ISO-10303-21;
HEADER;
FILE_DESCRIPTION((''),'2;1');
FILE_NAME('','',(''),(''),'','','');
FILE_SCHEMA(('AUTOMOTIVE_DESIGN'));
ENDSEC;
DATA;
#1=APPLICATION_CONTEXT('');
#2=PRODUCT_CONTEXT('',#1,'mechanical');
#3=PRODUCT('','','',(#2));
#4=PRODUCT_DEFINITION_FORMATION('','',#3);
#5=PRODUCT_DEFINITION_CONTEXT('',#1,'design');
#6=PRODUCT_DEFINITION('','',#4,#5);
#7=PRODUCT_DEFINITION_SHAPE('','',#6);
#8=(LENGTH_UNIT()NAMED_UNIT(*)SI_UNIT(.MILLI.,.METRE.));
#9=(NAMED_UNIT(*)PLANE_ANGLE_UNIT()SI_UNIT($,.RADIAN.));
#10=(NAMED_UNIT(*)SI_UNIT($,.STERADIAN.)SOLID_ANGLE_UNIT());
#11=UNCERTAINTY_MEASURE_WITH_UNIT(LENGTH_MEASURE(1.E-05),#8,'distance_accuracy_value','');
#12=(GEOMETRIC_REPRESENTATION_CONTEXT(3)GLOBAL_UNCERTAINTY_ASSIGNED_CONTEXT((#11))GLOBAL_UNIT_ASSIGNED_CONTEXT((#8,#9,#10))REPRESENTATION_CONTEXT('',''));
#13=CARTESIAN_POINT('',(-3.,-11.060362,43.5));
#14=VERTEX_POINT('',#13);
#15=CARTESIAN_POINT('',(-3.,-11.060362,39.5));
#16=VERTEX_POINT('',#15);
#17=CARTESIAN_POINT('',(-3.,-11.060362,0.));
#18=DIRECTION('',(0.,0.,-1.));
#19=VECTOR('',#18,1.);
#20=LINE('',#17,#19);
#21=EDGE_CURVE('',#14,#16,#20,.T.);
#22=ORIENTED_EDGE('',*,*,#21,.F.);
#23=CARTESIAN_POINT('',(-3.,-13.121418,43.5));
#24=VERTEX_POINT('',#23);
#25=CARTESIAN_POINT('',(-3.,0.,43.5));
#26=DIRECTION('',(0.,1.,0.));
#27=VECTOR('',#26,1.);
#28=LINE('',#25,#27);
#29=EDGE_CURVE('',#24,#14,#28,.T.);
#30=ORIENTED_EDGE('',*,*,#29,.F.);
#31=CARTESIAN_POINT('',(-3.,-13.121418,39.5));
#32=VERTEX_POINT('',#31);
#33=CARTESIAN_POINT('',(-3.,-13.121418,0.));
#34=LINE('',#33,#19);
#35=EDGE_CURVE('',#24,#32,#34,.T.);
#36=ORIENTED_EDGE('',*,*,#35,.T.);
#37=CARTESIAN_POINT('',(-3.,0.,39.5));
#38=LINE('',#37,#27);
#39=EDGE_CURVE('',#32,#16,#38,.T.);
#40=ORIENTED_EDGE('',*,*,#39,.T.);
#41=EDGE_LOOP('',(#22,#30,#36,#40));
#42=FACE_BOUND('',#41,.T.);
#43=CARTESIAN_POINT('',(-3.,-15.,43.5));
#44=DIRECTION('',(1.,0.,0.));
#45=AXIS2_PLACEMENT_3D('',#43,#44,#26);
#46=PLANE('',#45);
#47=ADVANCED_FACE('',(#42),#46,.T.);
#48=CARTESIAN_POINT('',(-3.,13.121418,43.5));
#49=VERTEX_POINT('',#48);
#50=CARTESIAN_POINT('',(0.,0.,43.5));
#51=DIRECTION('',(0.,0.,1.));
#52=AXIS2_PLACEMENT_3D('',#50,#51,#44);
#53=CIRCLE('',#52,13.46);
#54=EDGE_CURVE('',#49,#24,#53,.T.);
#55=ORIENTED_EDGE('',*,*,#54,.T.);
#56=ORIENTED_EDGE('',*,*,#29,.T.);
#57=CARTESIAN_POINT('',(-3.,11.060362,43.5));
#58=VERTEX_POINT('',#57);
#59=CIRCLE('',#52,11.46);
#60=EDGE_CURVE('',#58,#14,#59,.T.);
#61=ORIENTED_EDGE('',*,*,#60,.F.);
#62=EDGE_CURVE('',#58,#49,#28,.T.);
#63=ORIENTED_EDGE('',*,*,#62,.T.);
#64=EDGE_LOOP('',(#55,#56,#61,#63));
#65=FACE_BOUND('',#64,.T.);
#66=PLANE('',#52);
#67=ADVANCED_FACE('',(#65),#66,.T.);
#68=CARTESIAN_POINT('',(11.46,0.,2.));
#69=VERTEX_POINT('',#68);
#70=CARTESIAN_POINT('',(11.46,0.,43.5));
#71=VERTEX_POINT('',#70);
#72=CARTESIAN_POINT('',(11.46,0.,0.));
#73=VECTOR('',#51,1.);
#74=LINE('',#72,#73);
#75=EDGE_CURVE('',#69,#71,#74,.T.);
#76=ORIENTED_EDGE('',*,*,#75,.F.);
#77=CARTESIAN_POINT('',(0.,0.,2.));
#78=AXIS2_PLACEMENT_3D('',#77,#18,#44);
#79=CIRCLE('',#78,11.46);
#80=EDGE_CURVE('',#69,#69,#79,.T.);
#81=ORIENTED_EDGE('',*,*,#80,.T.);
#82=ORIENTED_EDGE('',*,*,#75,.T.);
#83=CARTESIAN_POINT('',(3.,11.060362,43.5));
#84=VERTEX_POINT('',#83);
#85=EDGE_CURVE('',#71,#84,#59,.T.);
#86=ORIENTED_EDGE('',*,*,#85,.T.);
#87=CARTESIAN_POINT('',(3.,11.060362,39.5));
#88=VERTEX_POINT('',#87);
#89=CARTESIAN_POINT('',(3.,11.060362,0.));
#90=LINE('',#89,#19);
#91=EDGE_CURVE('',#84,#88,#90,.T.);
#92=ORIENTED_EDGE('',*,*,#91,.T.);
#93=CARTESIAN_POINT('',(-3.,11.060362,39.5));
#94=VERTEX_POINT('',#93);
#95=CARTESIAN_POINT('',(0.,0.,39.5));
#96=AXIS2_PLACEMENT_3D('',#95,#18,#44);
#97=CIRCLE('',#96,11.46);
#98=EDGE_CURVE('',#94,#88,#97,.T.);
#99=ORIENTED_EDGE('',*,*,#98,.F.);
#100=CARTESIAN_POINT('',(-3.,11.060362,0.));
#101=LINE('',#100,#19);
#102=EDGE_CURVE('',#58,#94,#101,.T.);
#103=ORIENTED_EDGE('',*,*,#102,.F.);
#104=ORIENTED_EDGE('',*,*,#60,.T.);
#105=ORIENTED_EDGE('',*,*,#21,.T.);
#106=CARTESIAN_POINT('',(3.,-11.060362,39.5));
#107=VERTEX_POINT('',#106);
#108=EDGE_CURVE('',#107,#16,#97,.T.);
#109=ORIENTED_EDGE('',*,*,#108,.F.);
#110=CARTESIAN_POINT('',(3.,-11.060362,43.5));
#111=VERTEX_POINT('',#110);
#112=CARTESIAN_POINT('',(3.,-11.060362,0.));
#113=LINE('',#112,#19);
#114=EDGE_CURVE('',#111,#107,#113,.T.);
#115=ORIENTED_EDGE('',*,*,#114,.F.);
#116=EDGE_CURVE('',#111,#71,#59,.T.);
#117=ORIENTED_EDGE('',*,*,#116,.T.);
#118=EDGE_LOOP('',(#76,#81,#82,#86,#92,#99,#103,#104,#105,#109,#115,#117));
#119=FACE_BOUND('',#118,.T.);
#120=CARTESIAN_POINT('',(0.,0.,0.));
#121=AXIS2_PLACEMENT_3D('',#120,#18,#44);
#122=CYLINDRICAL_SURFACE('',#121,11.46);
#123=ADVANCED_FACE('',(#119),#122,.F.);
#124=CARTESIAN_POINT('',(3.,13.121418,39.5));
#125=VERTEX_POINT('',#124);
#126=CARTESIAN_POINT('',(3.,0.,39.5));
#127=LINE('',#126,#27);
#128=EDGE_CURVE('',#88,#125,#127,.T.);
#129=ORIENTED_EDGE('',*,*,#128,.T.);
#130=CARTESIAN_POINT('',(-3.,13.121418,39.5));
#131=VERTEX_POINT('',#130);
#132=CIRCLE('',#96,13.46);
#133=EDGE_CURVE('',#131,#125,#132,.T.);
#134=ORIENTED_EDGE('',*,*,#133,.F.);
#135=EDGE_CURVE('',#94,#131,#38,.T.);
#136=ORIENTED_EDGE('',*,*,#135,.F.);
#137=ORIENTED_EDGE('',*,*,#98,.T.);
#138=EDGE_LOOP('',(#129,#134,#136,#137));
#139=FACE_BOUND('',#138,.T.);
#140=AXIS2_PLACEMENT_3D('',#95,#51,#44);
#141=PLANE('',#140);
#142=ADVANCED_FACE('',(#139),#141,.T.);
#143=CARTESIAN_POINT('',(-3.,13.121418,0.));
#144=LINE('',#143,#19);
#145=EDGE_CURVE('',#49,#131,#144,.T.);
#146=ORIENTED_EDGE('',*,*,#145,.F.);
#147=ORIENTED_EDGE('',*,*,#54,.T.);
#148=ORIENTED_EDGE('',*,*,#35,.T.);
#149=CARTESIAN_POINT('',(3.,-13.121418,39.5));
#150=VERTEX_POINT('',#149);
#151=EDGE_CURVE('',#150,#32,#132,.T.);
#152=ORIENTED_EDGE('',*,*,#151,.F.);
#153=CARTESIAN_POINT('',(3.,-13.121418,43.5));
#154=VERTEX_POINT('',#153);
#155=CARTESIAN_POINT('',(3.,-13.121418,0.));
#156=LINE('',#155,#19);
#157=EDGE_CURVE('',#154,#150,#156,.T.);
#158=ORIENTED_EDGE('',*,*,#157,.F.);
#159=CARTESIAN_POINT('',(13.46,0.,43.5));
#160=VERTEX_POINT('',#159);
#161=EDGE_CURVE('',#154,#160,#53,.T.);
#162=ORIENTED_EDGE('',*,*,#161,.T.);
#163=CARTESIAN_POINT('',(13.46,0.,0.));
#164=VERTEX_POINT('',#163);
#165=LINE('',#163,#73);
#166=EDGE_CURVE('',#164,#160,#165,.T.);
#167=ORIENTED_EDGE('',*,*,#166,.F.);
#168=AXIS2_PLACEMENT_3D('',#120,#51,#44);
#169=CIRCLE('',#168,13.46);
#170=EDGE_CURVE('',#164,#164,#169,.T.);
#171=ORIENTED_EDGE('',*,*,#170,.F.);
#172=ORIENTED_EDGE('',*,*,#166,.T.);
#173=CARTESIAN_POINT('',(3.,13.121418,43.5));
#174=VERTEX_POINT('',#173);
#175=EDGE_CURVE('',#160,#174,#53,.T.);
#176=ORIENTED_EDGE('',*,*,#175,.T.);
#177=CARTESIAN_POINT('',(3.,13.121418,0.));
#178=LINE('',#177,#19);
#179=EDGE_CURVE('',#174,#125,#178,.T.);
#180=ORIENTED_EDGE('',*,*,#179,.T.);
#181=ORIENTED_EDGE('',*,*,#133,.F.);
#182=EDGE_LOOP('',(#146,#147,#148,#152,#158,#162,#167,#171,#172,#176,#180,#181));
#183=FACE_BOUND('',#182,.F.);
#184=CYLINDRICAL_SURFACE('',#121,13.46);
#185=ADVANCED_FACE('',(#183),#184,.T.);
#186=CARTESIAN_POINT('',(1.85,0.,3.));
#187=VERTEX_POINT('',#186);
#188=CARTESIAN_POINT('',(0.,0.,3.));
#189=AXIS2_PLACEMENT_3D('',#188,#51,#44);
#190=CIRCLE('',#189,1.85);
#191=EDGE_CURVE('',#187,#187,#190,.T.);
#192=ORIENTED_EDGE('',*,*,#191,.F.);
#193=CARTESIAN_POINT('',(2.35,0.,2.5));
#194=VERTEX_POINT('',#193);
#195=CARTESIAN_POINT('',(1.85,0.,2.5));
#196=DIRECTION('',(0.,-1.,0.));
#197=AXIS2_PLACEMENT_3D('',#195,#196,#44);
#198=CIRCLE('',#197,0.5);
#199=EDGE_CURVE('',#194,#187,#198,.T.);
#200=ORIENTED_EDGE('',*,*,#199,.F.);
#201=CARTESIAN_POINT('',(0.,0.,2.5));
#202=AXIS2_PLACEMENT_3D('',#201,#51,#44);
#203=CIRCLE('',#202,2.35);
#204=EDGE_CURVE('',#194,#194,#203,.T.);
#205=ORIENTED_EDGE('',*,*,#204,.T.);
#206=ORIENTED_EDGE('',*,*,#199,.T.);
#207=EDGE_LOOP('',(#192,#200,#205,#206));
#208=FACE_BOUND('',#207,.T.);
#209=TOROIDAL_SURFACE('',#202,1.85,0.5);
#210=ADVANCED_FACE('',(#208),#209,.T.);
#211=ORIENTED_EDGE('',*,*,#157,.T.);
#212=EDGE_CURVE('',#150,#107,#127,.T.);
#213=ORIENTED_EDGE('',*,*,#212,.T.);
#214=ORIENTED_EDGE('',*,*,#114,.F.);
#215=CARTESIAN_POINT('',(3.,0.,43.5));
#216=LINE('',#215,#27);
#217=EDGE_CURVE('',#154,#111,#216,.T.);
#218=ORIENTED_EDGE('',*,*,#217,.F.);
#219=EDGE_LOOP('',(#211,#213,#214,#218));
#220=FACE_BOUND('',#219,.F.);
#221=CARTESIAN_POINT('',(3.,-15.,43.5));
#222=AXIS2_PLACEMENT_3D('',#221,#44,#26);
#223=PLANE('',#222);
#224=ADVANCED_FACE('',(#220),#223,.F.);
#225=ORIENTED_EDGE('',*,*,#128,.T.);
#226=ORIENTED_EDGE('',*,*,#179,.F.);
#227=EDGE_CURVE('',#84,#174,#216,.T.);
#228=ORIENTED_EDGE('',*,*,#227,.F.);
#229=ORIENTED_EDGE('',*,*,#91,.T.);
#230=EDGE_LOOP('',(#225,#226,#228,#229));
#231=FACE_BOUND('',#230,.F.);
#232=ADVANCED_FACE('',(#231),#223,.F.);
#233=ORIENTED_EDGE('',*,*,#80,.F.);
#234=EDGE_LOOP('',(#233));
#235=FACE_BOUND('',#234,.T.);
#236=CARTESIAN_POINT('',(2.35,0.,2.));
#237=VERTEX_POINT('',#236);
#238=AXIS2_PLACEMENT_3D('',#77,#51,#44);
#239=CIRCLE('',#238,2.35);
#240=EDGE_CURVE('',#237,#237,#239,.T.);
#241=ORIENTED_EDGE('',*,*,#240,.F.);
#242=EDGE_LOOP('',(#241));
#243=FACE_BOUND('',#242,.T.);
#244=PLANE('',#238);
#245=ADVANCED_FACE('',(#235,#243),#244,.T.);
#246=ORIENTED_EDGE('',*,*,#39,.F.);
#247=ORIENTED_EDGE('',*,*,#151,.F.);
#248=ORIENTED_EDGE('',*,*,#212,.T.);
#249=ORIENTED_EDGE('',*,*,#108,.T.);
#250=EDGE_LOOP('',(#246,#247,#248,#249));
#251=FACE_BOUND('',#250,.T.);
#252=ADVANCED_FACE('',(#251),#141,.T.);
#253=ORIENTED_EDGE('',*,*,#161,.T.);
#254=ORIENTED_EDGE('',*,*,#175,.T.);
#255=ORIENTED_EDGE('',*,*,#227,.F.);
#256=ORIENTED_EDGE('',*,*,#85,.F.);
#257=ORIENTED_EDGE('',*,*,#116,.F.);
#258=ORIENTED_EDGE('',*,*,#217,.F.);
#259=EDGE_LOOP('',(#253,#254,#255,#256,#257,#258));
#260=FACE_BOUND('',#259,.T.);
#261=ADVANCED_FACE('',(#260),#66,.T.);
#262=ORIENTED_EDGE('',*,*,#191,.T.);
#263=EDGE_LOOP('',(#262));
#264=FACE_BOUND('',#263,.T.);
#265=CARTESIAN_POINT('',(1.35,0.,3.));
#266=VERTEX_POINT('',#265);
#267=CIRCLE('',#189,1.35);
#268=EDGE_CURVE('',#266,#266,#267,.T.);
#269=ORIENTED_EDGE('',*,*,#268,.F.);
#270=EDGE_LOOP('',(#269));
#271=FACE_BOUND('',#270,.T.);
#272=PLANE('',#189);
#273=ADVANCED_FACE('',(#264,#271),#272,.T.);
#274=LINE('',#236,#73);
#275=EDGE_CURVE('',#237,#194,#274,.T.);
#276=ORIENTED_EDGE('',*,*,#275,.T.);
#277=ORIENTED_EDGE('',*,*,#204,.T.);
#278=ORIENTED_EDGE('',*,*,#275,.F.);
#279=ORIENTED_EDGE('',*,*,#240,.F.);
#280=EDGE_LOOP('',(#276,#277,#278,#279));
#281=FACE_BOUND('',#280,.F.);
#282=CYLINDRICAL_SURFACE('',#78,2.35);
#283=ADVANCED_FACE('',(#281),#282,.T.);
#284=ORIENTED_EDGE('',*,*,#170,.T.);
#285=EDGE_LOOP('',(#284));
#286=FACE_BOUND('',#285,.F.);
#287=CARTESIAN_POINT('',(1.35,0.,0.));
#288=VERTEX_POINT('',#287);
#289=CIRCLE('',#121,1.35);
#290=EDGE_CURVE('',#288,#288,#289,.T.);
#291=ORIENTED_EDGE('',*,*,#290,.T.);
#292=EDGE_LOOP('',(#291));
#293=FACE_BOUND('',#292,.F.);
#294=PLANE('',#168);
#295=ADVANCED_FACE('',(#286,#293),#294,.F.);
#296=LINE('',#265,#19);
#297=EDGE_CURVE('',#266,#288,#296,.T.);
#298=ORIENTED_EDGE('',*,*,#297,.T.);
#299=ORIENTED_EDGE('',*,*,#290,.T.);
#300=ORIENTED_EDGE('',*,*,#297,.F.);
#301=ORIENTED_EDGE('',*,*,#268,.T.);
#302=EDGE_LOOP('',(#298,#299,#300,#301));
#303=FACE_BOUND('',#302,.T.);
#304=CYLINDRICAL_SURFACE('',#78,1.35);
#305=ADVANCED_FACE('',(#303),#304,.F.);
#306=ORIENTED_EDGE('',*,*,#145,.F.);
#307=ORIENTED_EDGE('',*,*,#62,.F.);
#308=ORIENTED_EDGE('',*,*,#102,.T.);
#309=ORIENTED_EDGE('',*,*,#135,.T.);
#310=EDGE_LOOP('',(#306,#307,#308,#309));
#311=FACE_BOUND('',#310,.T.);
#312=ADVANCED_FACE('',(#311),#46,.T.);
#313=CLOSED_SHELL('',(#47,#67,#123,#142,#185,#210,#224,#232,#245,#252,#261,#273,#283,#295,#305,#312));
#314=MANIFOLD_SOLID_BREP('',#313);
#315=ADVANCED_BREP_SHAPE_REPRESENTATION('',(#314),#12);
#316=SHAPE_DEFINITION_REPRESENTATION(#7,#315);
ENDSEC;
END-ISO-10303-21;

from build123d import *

# Parameters (mm, degrees)
F0_R     = 13.46
F1_DEPTH = 43.5
F2_T     = -2
F3_W     = 6
F3_H     = 30
F4_DEPTH = 4
F5_R     = 1.35
F6_DEPTH = 43.501
F7_R     = 2.35
F7_R_2   = 1.35
F8_DEPTH = 1
F9_R     = 0.5


with BuildPart() as f1:
    # F0 (on Top) → F1 (new body)
    with BuildSketch(Plane.XY):
        Circle(F0_R)
    extrude(amount=F1_DEPTH)

    # F2
    f2_openings = [f1.faces().sort_by_distance(p)[0] for p in [
        (0, 0, 43.5),
    ]]
    offset(amount=F2_T, openings=f2_openings)

    # F3 (on face) → F4 (cut)
    with BuildSketch(Plane.XY.offset(43.5)):
        Rectangle(F3_W, F3_H)
    extrude(amount=-F4_DEPTH, mode=Mode.SUBTRACT)

    # F5 (on face) → F6 (cut, through all)
    with BuildSketch(Plane(origin=(0, 0, 0), x_dir=(1, 0, 0), z_dir=(0, 0, -1))):
        Circle(F5_R)
    extrude(amount=-F6_DEPTH, mode=Mode.SUBTRACT)

    # F7 (on face) → F8 (join)
    with BuildSketch(Plane.XY.offset(2)):
        Circle(F7_R)
        Circle(F7_R_2, mode=Mode.SUBTRACT)
    extrude(amount=F8_DEPTH)

    # F9
    f9_edges = [f1.edges().sort_by_distance(p)[0] for p in [
        (-2.35, 0, 3),
    ]]
    fillet(f9_edges, radius=F9_R)


solid = f1.part
